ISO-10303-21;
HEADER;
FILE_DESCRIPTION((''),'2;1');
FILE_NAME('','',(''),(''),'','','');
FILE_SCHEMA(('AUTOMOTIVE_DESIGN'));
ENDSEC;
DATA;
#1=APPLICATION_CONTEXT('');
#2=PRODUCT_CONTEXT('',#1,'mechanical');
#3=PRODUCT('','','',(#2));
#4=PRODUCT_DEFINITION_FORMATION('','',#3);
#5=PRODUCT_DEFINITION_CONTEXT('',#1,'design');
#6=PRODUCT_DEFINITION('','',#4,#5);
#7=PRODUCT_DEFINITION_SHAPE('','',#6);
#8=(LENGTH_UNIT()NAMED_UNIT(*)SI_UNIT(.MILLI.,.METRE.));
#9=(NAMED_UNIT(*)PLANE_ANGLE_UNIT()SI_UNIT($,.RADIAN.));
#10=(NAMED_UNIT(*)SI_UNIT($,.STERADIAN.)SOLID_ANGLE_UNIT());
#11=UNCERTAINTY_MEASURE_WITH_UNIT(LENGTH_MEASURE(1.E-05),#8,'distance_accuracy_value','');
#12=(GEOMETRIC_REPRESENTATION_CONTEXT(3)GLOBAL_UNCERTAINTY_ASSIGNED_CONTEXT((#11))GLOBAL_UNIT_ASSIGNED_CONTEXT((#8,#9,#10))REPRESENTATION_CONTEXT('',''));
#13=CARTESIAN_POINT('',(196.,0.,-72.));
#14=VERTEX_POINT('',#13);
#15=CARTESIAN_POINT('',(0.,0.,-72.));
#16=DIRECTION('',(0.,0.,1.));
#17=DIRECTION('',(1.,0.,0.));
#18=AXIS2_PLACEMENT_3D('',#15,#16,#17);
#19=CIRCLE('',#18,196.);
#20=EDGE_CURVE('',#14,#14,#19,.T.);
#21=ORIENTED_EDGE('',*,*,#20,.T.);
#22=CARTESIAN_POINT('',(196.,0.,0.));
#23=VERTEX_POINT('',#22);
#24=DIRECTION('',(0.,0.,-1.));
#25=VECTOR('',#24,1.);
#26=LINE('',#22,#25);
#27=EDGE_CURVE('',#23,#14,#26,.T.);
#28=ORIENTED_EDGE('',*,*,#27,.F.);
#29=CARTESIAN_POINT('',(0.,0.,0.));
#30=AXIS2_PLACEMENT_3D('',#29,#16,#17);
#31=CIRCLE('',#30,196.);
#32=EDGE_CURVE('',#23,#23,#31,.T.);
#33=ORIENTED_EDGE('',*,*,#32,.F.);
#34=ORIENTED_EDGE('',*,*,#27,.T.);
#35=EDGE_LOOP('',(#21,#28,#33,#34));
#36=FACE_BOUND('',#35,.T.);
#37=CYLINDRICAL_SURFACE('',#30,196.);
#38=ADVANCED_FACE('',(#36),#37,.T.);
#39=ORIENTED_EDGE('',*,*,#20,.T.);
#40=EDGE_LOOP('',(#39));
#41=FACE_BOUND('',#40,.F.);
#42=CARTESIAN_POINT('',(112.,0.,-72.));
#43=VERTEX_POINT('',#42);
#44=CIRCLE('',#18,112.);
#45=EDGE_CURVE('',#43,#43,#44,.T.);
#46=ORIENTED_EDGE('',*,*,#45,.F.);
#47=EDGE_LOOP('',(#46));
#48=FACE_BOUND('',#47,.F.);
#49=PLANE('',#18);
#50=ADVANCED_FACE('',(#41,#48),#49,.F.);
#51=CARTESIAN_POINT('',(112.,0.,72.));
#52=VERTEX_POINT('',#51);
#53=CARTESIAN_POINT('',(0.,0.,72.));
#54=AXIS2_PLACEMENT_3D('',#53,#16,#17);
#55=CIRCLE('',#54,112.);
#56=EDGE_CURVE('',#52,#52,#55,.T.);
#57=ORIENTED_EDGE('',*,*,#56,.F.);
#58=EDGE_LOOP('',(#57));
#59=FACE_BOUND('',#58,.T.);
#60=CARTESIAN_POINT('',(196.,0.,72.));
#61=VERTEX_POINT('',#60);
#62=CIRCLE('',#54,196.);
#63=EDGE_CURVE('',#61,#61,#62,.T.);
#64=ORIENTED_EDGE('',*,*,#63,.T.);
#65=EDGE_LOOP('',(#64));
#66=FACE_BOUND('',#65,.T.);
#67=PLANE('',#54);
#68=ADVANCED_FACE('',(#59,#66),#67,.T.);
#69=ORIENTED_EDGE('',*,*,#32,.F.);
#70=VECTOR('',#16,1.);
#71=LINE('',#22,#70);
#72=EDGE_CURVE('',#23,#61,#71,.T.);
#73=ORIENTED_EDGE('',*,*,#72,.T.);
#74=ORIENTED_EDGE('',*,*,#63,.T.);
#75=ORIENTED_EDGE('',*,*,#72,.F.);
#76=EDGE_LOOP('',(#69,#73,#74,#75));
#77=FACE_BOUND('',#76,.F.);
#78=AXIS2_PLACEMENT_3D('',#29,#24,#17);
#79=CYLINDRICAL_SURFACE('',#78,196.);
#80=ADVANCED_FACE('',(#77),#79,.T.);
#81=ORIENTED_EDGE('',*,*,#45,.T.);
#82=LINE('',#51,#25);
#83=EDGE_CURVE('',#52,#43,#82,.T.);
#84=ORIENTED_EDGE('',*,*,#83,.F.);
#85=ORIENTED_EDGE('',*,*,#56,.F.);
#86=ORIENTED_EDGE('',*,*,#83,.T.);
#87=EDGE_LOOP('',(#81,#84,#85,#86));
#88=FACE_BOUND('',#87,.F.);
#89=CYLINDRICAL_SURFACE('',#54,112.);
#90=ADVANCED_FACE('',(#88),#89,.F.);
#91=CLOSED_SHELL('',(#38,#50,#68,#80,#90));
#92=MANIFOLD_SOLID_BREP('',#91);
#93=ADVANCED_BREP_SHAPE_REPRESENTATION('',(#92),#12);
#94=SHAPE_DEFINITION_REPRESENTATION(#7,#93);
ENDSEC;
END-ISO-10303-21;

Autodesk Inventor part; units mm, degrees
ref_plane "YZ Plane" through (0, 0, 0) normal (1, 0, 0) x (0, 1, 0)
ref_plane "XZ Plane" through (0, 0, 0) normal (0, 1, 0) x (-1, 0, 0)
ref_plane "XY Plane" through (0, 0, 0) normal (0, 0, 1) x (1, 0, 0)
sketch "Sketch1" plane through (0, 0, 0) normal (0, 0, 1) x (1, 0, 0)
  circle A0 centre (0, 0) radius 196
  dimension "d0" = 392
extrude "Extrusion1" add sketch "Sketch1" along normal mid plane 144
sketch "Sketch3" plane through (0, 0, 72) normal (0, 0, 1) x (1, 0, 0)
  circle A0 centre (0, 0) radius 112
  dimension "d3" = 224
extrude "Extrusion2" cut sketch "Sketch3" against normal through all
properties part number "ALPHA-II-T2"
